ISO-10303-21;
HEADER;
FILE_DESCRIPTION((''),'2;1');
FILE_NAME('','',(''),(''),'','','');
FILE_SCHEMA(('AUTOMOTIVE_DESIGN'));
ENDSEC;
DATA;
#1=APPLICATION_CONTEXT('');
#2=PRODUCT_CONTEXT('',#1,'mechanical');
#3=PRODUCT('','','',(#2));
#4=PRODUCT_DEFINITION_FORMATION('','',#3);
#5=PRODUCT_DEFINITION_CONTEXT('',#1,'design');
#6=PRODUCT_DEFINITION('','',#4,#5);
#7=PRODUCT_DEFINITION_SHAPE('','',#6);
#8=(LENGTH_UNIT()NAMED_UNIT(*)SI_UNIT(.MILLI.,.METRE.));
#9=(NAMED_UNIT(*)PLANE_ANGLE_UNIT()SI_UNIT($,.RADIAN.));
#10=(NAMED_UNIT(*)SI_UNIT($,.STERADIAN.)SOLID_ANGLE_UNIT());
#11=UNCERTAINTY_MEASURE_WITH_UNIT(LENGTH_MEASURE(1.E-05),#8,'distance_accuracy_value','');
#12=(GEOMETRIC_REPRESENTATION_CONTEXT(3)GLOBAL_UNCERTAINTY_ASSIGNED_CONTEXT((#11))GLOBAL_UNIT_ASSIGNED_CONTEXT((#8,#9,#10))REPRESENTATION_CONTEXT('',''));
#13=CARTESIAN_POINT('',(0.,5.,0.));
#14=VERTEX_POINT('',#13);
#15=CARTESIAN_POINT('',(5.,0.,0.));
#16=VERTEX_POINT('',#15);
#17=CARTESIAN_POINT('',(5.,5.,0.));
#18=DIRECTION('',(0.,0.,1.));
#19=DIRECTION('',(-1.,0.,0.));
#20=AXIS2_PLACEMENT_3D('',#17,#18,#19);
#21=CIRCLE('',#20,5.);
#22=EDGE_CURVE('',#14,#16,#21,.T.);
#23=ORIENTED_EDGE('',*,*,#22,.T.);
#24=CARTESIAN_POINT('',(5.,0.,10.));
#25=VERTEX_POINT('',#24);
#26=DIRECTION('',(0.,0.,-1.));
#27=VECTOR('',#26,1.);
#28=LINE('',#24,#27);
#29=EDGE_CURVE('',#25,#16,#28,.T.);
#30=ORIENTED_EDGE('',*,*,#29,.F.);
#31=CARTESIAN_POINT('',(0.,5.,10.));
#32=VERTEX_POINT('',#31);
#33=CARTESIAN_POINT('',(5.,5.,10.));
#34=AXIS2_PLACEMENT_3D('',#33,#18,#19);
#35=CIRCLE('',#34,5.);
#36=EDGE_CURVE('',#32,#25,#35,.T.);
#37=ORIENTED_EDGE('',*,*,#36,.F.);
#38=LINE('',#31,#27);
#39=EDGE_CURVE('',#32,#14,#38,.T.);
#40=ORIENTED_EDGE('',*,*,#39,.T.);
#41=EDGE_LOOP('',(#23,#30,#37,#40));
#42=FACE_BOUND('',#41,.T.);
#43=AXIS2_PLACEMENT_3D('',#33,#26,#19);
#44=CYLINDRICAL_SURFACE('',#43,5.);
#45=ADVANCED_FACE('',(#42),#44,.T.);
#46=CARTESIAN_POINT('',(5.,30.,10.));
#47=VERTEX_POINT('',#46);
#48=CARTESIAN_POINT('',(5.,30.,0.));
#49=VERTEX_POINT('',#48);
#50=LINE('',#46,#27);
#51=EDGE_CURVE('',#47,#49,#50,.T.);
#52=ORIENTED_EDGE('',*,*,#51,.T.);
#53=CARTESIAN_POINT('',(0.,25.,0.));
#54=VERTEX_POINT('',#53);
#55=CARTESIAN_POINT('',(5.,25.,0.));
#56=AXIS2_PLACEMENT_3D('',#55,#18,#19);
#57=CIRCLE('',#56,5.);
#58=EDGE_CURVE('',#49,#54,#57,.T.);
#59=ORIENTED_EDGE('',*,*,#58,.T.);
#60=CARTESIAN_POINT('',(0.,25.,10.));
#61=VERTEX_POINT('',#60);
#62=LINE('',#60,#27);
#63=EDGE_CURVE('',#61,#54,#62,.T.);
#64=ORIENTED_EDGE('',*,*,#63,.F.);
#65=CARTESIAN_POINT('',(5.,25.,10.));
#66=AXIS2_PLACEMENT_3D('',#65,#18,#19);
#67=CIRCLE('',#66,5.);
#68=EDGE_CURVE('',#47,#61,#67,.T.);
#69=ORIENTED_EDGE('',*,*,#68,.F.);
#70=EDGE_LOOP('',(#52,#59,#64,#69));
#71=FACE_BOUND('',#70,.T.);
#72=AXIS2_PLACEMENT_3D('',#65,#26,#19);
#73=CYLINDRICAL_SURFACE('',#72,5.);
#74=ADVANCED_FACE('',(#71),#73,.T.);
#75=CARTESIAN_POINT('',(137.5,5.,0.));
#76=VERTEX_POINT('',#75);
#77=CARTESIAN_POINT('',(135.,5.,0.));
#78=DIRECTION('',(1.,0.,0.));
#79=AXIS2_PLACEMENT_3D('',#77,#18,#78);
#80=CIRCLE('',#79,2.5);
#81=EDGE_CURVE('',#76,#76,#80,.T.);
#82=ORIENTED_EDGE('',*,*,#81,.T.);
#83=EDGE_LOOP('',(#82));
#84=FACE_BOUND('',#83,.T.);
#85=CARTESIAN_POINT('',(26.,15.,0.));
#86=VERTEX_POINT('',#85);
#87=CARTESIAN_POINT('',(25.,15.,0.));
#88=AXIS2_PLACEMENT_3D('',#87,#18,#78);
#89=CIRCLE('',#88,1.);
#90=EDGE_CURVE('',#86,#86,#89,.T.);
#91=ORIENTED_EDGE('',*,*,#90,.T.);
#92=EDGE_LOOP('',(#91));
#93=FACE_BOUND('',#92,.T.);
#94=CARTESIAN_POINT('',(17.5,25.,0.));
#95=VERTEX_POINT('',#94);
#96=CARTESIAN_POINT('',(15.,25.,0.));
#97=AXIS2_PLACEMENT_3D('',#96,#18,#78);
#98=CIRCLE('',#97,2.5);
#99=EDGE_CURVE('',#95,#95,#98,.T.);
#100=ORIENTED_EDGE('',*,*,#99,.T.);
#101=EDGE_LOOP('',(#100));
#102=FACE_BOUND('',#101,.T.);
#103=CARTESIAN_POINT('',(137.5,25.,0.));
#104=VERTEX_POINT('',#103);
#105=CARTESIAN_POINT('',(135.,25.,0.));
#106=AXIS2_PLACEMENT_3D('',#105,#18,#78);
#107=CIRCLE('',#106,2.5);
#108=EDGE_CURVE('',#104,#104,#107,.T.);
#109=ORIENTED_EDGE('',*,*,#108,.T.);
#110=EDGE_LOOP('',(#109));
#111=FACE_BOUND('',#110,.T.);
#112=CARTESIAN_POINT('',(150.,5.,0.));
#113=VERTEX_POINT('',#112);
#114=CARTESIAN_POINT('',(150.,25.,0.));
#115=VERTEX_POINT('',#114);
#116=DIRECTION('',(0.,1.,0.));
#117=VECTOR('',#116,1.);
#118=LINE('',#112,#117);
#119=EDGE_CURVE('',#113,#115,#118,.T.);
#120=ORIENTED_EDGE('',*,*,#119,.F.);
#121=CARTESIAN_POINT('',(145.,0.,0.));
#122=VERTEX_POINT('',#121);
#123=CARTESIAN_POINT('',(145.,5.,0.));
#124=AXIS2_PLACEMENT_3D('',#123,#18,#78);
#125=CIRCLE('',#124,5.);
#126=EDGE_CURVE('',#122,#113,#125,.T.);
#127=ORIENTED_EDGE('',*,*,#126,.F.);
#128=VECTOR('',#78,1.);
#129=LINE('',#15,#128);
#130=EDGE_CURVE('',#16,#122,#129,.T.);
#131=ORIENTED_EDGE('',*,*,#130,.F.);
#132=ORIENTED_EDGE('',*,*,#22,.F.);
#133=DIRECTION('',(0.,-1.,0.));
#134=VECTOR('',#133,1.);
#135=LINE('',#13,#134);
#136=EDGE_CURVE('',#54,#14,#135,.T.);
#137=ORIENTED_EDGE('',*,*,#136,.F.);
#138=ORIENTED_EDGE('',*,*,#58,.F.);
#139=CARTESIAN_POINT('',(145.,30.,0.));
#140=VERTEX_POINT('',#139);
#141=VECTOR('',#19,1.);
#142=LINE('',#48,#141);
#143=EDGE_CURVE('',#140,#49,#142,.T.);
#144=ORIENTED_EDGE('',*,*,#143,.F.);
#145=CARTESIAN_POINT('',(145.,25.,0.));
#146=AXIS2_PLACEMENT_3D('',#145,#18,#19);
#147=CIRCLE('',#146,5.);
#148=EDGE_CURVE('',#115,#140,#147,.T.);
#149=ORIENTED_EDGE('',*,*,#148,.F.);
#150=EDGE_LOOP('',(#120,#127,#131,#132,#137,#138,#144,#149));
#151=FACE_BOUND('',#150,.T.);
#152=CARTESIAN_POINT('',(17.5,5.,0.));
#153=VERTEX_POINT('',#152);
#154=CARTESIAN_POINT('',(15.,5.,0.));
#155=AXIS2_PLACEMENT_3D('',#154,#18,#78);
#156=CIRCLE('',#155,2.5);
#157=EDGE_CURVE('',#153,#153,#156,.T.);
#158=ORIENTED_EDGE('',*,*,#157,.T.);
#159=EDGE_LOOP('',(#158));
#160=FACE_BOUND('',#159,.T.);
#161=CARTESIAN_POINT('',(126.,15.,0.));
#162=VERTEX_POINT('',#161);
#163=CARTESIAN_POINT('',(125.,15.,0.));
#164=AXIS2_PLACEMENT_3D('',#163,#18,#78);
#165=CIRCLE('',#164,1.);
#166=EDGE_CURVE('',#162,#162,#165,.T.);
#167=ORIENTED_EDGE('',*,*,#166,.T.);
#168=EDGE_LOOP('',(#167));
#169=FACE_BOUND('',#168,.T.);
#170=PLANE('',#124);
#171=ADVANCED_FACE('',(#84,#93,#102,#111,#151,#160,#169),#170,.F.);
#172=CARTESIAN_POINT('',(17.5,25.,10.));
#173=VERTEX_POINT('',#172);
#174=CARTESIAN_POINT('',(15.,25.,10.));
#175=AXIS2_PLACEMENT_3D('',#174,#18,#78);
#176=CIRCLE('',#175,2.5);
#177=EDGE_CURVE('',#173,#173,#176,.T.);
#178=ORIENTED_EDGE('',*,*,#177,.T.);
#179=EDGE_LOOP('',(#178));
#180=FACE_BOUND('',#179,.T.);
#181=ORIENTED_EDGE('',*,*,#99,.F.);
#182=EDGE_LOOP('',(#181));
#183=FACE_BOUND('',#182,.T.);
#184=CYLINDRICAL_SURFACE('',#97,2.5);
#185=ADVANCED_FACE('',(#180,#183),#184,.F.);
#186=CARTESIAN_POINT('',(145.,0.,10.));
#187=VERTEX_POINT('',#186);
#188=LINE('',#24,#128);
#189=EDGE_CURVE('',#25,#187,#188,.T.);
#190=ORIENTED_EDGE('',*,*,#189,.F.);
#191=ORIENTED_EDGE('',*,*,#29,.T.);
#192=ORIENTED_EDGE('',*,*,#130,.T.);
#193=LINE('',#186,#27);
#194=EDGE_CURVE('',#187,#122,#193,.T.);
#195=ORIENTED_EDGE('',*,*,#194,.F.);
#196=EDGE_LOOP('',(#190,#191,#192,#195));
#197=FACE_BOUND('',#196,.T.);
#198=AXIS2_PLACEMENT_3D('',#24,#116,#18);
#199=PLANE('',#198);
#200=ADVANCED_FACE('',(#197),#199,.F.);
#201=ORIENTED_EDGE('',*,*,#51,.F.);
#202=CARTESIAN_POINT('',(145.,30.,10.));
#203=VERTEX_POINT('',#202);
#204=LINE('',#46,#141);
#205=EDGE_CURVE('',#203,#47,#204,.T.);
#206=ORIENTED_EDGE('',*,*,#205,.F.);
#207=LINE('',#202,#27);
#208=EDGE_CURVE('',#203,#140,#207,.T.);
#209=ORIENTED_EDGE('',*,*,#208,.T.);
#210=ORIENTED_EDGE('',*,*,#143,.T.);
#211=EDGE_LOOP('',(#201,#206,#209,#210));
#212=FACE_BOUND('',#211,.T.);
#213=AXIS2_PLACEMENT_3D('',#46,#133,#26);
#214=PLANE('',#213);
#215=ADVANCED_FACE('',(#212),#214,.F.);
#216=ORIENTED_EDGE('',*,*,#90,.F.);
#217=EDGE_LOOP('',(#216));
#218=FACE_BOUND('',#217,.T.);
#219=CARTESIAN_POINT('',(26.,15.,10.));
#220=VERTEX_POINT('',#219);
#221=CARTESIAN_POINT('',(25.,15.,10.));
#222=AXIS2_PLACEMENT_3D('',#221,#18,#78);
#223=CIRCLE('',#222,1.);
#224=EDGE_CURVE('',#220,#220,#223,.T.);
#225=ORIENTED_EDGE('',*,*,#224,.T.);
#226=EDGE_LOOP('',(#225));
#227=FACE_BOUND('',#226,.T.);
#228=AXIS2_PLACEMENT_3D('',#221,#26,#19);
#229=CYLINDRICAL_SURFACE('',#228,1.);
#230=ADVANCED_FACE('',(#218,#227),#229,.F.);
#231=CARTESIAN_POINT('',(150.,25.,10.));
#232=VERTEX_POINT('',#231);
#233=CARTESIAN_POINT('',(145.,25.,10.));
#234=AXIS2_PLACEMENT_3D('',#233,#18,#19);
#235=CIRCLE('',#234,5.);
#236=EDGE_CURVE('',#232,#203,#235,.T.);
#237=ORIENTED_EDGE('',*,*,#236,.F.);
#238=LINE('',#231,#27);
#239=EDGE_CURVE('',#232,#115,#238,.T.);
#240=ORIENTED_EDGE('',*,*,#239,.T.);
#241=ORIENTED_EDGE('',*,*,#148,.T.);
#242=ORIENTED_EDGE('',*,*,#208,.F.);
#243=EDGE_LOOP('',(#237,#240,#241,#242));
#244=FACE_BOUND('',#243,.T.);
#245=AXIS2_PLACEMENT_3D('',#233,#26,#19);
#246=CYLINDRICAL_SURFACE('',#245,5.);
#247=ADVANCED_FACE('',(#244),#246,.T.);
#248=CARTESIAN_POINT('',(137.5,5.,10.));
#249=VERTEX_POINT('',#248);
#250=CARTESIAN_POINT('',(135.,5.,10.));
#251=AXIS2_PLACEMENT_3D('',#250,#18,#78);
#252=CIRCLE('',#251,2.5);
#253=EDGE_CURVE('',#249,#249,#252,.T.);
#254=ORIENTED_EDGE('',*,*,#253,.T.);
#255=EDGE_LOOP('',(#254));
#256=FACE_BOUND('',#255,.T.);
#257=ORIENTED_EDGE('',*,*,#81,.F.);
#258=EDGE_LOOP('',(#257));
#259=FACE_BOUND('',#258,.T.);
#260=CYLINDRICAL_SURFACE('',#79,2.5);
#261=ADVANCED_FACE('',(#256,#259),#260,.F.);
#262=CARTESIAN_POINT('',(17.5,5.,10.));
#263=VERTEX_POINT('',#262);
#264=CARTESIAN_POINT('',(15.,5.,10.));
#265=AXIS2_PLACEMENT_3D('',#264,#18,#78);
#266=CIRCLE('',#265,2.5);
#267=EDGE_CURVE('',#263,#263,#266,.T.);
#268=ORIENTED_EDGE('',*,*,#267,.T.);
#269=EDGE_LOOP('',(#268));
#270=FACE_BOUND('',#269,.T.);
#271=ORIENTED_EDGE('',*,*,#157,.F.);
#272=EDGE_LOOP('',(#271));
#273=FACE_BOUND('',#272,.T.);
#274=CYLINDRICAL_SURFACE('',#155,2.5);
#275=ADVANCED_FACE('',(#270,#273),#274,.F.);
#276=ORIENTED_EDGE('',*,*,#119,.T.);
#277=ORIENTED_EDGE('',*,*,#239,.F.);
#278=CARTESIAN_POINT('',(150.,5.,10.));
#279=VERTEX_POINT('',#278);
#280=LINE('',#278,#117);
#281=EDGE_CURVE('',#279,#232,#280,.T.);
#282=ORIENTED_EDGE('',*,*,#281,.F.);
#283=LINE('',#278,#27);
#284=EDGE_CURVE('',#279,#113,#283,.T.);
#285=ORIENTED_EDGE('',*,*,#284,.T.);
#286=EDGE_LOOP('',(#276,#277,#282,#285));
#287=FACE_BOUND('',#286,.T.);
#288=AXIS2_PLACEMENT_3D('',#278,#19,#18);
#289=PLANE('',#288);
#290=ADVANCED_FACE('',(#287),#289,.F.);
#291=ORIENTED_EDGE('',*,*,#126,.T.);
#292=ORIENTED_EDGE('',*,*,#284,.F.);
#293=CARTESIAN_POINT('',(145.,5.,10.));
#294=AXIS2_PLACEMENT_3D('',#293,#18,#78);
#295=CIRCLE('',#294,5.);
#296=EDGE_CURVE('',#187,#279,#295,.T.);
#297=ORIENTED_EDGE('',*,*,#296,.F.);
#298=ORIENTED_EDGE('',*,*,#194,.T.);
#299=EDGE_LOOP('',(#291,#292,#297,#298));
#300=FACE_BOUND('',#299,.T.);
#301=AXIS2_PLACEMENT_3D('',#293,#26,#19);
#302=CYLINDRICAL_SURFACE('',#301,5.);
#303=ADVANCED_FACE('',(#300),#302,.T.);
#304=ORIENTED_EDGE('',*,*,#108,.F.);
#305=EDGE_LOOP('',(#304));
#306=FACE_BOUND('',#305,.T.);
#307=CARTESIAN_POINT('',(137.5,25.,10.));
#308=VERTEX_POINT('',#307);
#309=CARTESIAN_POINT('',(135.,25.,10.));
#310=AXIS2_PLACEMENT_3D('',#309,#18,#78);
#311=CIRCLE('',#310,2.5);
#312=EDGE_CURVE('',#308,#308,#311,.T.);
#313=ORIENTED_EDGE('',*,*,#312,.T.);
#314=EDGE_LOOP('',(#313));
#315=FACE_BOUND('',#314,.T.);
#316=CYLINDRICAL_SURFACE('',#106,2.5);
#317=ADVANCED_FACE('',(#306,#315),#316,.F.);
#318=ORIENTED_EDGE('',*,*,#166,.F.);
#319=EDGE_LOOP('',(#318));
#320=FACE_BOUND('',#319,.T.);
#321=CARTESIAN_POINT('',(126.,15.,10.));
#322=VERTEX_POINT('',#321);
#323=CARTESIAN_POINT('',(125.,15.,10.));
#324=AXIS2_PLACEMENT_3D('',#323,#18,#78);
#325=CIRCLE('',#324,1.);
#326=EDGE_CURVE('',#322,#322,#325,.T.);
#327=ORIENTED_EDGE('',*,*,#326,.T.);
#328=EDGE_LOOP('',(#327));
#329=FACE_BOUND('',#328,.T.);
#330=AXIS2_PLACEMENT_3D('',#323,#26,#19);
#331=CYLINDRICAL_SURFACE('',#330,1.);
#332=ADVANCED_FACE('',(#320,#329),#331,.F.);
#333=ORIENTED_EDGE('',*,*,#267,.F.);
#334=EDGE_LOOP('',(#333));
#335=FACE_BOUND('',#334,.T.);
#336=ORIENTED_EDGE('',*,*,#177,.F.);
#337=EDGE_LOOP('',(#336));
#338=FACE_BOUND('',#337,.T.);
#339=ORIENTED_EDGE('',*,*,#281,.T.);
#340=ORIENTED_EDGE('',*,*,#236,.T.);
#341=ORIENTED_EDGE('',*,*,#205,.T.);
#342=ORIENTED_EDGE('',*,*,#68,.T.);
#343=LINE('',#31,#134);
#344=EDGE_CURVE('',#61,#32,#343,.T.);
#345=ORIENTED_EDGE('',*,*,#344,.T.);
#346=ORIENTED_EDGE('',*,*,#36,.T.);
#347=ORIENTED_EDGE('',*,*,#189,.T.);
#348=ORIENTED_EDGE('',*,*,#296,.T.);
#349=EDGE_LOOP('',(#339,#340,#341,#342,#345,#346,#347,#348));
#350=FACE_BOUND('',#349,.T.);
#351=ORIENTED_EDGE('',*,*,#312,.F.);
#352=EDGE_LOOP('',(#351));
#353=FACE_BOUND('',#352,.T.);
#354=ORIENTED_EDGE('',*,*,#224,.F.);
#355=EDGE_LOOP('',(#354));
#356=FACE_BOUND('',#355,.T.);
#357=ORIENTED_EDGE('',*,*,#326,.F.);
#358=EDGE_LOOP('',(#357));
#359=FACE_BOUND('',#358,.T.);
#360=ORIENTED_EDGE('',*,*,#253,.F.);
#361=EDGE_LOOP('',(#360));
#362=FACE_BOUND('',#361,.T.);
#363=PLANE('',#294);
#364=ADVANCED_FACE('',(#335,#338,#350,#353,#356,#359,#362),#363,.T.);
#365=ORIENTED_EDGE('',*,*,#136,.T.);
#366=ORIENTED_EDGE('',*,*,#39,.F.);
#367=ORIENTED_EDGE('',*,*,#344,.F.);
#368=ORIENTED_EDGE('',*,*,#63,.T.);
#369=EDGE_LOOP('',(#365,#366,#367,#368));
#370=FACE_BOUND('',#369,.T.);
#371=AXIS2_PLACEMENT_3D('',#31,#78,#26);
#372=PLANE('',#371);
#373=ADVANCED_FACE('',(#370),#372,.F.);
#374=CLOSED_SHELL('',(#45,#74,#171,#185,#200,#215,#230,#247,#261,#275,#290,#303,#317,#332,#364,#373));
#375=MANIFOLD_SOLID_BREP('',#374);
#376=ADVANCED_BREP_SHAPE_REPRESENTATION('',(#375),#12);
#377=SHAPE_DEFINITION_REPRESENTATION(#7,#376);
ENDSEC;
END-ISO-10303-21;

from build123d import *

# Parameters (mm, degrees)
SKETCH1_R           = 1
BOSS_EXTRUDE1_DEPTH = 10
SKETCH2_R           = 2.5
CUT_EXTRUDE1_DEPTH  = 11


with BuildPart() as part:
    # Sketch1 → Boss-Extrude1 (new body)
    with BuildSketch(Plane.XY):
        with BuildLine():
            Line((5, 0), (145, 0))
            ThreePointArc((145, 0), (148.535533906, 1.464466094), (150, 5))
            Line((150, 5), (150, 25))
            ThreePointArc((150, 25), (148.535533906, 28.535533906), (145, 30))
            Line((145, 30), (5, 30))
            ThreePointArc((5, 30), (1.464466094, 28.535533906), (0, 25))
            Line((0, 25), (0, 5))
            ThreePointArc((0, 5), (1.464466094, 1.464466094), (5, 0))
        make_face()
        with Locations((25, 15)):
            Circle(SKETCH1_R, mode=Mode.SUBTRACT)
        with Locations((125, 15)):
            Circle(SKETCH1_R, mode=Mode.SUBTRACT)
    extrude(amount=BOSS_EXTRUDE1_DEPTH)

    # Sketch2 → Cut-Extrude1 (cut, through all)
    with BuildSketch(Plane.XY.offset(10)):
        with Locations((15, 25)):
            Circle(SKETCH2_R)
        with Locations((15, 5)):
            Circle(SKETCH2_R)
        with Locations((135, 25)):
            Circle(SKETCH2_R)
        with Locations((135, 5)):
            Circle(SKETCH2_R)
    extrude(amount=-CUT_EXTRUDE1_DEPTH, mode=Mode.SUBTRACT)


solid = part.part
